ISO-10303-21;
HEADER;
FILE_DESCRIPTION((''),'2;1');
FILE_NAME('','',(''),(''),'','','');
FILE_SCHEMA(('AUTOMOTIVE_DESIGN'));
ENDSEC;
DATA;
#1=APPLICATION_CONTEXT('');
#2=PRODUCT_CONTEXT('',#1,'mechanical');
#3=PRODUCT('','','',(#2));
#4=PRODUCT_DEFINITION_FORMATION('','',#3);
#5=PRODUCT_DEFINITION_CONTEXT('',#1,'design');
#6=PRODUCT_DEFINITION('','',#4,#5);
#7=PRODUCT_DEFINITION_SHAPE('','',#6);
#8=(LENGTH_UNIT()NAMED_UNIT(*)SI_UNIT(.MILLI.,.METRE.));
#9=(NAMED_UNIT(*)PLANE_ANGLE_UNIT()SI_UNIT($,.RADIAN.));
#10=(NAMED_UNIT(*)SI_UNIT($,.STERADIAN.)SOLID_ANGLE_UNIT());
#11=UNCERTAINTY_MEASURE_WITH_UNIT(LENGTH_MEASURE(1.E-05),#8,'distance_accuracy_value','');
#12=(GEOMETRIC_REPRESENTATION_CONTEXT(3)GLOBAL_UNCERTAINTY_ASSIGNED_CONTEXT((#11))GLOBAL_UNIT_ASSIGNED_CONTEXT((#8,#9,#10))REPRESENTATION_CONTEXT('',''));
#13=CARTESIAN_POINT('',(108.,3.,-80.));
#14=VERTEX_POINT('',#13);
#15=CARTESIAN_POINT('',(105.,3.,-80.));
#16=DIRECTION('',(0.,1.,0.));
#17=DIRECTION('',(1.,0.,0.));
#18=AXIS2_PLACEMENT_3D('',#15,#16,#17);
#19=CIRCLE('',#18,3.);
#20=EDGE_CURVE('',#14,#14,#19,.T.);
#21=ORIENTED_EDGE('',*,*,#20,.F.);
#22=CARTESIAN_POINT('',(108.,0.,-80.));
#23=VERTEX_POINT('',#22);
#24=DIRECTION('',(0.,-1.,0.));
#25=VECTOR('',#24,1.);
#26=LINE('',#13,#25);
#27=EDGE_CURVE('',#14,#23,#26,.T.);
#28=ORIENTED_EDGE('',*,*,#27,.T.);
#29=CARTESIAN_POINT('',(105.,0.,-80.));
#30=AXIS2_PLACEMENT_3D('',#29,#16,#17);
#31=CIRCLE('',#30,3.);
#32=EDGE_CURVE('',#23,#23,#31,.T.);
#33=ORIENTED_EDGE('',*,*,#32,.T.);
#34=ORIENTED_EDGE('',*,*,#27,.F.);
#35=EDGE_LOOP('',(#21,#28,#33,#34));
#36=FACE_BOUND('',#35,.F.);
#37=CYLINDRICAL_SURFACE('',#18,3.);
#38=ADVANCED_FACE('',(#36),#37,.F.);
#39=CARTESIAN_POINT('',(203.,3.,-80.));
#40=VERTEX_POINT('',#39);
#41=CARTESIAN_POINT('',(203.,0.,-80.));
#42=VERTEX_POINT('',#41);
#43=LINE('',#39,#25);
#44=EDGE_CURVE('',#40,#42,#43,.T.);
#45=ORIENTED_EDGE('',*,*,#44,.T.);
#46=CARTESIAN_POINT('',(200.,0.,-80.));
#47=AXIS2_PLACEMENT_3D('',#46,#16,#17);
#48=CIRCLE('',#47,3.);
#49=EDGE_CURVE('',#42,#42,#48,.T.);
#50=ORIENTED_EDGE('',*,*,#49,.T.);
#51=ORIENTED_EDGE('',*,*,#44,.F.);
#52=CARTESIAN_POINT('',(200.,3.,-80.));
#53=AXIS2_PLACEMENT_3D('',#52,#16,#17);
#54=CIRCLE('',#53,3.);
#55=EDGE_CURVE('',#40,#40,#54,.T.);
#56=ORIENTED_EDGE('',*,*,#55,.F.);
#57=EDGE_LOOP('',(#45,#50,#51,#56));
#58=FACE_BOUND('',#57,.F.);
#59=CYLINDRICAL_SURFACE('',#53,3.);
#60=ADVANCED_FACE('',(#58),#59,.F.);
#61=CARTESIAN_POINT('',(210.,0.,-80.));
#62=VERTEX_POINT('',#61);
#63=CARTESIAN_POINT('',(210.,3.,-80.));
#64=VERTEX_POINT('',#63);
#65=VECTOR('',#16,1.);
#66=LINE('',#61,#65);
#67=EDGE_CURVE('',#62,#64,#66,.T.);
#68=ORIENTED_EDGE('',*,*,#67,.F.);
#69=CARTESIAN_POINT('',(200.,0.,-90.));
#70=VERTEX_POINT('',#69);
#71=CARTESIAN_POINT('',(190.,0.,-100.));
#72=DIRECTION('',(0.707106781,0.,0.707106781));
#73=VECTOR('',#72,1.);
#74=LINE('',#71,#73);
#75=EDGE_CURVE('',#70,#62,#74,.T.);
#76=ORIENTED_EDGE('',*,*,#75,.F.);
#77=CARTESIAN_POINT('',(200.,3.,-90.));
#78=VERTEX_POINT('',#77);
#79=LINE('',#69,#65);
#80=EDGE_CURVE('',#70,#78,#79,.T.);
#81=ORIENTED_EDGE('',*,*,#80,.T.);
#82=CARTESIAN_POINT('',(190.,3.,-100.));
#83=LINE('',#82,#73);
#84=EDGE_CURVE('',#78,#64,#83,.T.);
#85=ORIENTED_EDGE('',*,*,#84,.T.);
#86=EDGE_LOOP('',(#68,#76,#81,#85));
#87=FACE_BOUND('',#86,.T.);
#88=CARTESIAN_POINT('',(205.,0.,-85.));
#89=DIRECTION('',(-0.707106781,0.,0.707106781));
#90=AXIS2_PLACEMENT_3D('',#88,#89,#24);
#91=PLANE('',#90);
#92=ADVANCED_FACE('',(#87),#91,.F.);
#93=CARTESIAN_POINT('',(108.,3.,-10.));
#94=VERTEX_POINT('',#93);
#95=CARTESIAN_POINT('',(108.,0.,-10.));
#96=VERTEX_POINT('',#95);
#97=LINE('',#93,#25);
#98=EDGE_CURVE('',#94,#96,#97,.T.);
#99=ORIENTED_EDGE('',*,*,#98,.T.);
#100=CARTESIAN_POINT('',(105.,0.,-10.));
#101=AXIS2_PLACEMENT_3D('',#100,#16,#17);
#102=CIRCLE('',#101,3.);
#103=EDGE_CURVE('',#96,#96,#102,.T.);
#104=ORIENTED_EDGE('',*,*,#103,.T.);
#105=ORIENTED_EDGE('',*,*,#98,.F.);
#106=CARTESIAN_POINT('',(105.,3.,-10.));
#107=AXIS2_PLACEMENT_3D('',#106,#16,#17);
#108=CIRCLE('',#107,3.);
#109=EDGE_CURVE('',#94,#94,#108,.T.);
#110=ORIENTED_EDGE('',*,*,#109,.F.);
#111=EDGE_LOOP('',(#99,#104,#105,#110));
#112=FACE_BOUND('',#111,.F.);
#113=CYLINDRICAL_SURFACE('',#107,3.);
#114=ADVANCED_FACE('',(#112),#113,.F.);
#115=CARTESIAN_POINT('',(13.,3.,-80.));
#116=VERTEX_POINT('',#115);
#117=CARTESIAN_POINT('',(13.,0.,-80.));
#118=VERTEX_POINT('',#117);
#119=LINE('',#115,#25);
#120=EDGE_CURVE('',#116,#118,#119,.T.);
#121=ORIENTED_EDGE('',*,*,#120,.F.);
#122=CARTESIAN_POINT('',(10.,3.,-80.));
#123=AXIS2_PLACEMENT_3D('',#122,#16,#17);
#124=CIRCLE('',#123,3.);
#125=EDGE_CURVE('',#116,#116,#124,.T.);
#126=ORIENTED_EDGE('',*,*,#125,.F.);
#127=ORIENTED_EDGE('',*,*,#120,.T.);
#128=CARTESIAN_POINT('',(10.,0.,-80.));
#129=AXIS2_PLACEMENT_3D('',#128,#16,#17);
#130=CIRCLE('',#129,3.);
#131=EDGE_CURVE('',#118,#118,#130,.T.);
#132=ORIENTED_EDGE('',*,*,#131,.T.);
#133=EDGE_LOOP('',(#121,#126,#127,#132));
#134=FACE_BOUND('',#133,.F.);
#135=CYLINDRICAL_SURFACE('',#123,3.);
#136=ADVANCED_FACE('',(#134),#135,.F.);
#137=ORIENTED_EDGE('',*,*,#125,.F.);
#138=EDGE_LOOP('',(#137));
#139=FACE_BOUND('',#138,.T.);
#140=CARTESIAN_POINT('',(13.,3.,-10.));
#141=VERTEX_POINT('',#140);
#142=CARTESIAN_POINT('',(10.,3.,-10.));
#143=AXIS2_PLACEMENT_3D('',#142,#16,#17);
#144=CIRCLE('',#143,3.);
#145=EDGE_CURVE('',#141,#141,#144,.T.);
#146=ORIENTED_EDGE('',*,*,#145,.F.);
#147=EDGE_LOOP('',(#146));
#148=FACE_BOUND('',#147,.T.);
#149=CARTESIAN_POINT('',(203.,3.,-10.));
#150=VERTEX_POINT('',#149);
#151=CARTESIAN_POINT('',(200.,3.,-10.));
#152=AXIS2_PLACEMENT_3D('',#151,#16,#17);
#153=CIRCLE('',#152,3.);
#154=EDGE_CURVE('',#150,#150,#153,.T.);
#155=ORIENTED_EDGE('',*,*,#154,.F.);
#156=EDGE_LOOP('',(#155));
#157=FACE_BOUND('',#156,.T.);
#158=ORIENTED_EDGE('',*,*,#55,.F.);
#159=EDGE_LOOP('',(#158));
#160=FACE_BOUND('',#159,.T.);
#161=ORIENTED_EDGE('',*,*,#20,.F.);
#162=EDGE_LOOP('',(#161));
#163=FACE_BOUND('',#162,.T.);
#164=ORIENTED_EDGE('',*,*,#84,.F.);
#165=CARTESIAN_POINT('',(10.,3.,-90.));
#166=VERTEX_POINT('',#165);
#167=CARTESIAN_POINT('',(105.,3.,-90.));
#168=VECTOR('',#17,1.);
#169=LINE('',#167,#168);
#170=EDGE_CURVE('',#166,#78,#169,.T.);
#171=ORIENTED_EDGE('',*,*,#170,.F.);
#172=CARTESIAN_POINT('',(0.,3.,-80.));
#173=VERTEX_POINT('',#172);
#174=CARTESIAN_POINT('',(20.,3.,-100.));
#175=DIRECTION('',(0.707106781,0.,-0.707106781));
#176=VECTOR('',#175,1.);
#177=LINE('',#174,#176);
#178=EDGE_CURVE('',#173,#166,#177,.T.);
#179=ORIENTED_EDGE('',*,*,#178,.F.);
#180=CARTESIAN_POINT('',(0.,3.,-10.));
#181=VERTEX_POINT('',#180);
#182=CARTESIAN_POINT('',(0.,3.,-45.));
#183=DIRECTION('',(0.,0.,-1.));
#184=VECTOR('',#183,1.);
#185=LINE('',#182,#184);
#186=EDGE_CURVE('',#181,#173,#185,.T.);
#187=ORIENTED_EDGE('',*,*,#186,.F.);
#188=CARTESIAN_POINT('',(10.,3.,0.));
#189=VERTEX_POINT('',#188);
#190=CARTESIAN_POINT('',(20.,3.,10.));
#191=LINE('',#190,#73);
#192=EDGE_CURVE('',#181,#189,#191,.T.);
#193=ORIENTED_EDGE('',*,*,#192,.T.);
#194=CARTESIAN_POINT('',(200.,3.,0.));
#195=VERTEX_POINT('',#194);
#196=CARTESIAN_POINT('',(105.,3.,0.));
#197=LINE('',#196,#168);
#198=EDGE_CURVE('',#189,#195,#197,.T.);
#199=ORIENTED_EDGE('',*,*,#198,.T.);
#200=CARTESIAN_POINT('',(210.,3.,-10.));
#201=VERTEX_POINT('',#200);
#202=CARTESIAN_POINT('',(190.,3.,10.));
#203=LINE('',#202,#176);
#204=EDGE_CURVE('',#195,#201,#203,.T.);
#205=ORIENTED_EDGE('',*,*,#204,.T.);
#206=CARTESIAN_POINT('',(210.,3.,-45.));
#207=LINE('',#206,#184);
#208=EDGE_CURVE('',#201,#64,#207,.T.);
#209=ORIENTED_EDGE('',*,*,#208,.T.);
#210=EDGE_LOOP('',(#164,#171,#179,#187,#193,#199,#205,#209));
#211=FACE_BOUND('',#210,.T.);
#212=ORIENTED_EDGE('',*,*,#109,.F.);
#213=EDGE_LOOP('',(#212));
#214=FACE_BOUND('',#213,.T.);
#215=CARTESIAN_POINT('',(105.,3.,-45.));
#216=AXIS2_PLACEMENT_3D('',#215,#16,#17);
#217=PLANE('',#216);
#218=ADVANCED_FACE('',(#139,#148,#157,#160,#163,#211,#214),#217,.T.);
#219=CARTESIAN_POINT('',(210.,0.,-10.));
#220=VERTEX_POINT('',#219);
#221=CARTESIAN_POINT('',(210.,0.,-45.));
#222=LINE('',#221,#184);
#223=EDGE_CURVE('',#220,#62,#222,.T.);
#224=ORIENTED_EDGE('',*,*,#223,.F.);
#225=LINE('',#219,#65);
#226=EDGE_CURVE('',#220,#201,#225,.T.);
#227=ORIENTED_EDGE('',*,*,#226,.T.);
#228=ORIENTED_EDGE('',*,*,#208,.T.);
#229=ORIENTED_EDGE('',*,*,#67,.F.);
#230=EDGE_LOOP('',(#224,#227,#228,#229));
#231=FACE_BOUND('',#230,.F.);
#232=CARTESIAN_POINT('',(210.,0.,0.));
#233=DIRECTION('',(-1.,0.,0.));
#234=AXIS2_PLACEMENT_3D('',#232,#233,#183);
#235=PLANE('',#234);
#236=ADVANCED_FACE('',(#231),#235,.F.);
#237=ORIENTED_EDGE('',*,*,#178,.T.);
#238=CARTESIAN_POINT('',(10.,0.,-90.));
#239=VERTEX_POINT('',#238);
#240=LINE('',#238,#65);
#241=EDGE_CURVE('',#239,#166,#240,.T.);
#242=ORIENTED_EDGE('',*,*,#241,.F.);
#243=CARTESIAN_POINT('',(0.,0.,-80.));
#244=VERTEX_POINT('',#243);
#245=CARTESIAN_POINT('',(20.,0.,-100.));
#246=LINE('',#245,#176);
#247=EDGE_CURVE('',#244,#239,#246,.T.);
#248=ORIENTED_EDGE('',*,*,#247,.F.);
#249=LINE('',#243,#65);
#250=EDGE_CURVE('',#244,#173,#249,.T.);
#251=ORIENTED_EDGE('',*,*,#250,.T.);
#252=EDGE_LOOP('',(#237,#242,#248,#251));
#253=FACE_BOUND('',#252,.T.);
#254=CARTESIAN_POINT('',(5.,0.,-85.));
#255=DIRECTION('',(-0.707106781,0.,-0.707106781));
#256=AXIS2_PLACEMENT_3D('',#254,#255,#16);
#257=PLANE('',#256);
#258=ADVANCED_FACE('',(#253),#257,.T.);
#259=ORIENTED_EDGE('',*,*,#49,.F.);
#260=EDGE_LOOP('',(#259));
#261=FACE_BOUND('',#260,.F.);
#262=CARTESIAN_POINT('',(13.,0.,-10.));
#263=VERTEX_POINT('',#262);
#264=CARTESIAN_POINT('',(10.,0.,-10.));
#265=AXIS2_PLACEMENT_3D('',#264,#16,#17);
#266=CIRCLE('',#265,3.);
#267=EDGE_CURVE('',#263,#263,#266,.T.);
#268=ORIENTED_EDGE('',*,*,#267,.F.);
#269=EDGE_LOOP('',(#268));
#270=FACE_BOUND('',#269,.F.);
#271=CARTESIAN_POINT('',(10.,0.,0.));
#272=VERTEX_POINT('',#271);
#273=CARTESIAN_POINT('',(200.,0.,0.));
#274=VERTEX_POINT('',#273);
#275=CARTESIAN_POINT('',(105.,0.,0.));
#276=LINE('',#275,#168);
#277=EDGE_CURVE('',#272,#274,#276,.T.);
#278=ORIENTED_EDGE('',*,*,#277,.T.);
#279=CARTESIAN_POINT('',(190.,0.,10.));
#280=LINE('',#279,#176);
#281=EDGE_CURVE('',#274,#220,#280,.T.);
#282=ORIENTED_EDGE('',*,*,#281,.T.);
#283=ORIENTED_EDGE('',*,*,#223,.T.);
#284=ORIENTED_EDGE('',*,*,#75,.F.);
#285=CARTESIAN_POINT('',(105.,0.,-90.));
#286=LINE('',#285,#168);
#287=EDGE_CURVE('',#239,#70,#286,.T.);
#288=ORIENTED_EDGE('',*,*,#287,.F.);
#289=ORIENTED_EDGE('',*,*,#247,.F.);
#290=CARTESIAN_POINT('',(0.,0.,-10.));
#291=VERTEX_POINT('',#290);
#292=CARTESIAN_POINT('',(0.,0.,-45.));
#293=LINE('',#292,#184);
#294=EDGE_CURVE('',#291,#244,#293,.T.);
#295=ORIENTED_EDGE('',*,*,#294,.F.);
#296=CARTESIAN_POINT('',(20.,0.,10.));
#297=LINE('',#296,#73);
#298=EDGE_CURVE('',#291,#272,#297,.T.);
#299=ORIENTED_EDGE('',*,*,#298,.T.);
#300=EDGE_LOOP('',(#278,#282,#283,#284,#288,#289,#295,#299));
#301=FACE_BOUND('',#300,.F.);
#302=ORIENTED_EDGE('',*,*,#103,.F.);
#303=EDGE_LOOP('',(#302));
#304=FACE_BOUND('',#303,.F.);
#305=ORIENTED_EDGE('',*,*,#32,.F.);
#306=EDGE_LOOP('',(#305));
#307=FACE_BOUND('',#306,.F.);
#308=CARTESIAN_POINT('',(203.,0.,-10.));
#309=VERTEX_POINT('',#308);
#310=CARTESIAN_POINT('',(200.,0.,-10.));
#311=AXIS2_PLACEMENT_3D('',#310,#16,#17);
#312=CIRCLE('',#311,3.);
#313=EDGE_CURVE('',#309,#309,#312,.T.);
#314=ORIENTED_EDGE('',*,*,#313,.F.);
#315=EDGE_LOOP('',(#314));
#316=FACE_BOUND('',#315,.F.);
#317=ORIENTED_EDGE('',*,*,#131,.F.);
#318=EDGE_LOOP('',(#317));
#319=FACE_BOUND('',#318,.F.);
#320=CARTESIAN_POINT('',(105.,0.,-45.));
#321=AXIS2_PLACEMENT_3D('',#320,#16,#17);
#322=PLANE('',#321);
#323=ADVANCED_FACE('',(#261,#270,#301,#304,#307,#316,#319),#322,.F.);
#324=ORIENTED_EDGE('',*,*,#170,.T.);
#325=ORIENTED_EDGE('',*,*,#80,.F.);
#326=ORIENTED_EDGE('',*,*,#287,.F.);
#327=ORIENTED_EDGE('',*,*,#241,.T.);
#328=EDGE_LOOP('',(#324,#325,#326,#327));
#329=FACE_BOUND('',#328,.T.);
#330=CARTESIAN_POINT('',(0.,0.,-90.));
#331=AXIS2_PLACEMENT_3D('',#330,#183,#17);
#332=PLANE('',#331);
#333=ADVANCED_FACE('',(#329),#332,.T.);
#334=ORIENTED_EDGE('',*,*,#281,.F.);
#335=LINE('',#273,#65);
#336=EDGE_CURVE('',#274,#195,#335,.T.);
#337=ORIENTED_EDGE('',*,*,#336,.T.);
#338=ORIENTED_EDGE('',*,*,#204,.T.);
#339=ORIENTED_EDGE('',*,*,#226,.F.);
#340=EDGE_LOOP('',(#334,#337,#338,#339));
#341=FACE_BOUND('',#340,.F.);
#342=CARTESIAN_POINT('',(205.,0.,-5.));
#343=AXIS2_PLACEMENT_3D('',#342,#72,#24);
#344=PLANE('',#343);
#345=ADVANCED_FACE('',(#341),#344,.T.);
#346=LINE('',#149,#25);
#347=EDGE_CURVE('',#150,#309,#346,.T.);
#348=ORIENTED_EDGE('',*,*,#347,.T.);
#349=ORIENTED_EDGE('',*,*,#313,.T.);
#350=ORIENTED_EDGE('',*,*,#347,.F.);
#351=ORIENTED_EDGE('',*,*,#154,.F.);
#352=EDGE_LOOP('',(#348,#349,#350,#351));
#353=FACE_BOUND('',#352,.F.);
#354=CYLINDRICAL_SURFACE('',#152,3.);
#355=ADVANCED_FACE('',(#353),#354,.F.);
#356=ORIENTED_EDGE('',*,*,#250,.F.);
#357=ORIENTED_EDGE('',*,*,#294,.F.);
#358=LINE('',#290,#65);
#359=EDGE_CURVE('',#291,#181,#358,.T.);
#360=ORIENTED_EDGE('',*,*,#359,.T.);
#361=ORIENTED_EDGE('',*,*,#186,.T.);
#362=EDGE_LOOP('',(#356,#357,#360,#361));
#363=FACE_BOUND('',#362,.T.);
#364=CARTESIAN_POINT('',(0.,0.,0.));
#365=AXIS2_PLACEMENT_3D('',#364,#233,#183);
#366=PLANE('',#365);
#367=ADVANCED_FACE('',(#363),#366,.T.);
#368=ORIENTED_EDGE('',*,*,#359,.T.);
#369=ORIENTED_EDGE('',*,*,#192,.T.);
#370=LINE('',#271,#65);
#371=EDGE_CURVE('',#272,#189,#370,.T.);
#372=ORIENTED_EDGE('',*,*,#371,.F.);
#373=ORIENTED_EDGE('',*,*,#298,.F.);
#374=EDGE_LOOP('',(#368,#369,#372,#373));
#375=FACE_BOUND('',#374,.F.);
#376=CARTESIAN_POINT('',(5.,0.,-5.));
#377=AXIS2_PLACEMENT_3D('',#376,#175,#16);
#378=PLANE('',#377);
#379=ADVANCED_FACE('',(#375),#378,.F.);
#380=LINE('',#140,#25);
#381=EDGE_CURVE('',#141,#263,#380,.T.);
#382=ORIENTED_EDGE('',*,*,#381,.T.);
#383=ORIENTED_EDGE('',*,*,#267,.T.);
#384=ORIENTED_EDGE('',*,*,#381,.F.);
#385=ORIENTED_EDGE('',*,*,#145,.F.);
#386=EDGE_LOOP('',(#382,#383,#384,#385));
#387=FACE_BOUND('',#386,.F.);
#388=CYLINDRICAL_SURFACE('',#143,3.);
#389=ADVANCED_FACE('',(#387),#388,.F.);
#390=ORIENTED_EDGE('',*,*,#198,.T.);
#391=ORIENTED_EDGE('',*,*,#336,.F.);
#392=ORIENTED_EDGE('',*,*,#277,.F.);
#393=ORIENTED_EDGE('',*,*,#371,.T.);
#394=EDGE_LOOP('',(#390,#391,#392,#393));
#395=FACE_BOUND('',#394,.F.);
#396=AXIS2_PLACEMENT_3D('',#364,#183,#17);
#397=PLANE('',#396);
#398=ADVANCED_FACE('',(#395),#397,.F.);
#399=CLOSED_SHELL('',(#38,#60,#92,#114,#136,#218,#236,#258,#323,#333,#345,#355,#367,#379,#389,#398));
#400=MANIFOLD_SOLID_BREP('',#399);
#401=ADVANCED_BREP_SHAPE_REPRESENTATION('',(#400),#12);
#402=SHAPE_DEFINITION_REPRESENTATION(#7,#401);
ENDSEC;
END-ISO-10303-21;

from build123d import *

# Parameters (mm, degrees)
ESQUISSE1_W             = 210
ESQUISSE1_H             = 90
BOSS_EXTRU_1_DEPTH      = 3
ESQUISSE2_R             = 3
ENL_V_MAT_EXTRU_1_DEPTH = 3
CHAMFER1_SIZE           = 10


with BuildPart() as part:
    # Esquisse1 → Boss.-Extru.1 (new body)
    with BuildSketch(Plane(origin=(0, 0, 0), x_dir=(1, 0, 0), z_dir=(0, 1, 0))):
        with Locations((105, 45)):
            Rectangle(ESQUISSE1_W, ESQUISSE1_H)
    extrude(amount=BOSS_EXTRU_1_DEPTH)

    # Esquisse2 → Enlèv. mat.-Extru.1 (cut)
    with BuildSketch(Plane(origin=(0, 3, 0), x_dir=(1, 0, 0), z_dir=(0, 1, 0))):
        with Locations((10, 80)):
            Circle(ESQUISSE2_R)
        with Locations((105, 80)):
            Circle(ESQUISSE2_R)
        with Locations((200, 80)):
            Circle(ESQUISSE2_R)
        with Locations((200, 10)):
            Circle(ESQUISSE2_R)
        with Locations((105, 10)):
            Circle(ESQUISSE2_R)
        with Locations((10, 10)):
            Circle(ESQUISSE2_R)
    extrude(amount=-ENL_V_MAT_EXTRU_1_DEPTH, mode=Mode.SUBTRACT)

    # Chamfer1
    chamfer1_edges = [part.edges().sort_by_distance(p)[0] for p in [
        (210, 1.5, 0),
        (0, 1.5, 0),
        (0, 1.5, -90),
        (210, 1.5, -90),
    ]]
    chamfer(chamfer1_edges, length=CHAMFER1_SIZE)


solid = part.part
